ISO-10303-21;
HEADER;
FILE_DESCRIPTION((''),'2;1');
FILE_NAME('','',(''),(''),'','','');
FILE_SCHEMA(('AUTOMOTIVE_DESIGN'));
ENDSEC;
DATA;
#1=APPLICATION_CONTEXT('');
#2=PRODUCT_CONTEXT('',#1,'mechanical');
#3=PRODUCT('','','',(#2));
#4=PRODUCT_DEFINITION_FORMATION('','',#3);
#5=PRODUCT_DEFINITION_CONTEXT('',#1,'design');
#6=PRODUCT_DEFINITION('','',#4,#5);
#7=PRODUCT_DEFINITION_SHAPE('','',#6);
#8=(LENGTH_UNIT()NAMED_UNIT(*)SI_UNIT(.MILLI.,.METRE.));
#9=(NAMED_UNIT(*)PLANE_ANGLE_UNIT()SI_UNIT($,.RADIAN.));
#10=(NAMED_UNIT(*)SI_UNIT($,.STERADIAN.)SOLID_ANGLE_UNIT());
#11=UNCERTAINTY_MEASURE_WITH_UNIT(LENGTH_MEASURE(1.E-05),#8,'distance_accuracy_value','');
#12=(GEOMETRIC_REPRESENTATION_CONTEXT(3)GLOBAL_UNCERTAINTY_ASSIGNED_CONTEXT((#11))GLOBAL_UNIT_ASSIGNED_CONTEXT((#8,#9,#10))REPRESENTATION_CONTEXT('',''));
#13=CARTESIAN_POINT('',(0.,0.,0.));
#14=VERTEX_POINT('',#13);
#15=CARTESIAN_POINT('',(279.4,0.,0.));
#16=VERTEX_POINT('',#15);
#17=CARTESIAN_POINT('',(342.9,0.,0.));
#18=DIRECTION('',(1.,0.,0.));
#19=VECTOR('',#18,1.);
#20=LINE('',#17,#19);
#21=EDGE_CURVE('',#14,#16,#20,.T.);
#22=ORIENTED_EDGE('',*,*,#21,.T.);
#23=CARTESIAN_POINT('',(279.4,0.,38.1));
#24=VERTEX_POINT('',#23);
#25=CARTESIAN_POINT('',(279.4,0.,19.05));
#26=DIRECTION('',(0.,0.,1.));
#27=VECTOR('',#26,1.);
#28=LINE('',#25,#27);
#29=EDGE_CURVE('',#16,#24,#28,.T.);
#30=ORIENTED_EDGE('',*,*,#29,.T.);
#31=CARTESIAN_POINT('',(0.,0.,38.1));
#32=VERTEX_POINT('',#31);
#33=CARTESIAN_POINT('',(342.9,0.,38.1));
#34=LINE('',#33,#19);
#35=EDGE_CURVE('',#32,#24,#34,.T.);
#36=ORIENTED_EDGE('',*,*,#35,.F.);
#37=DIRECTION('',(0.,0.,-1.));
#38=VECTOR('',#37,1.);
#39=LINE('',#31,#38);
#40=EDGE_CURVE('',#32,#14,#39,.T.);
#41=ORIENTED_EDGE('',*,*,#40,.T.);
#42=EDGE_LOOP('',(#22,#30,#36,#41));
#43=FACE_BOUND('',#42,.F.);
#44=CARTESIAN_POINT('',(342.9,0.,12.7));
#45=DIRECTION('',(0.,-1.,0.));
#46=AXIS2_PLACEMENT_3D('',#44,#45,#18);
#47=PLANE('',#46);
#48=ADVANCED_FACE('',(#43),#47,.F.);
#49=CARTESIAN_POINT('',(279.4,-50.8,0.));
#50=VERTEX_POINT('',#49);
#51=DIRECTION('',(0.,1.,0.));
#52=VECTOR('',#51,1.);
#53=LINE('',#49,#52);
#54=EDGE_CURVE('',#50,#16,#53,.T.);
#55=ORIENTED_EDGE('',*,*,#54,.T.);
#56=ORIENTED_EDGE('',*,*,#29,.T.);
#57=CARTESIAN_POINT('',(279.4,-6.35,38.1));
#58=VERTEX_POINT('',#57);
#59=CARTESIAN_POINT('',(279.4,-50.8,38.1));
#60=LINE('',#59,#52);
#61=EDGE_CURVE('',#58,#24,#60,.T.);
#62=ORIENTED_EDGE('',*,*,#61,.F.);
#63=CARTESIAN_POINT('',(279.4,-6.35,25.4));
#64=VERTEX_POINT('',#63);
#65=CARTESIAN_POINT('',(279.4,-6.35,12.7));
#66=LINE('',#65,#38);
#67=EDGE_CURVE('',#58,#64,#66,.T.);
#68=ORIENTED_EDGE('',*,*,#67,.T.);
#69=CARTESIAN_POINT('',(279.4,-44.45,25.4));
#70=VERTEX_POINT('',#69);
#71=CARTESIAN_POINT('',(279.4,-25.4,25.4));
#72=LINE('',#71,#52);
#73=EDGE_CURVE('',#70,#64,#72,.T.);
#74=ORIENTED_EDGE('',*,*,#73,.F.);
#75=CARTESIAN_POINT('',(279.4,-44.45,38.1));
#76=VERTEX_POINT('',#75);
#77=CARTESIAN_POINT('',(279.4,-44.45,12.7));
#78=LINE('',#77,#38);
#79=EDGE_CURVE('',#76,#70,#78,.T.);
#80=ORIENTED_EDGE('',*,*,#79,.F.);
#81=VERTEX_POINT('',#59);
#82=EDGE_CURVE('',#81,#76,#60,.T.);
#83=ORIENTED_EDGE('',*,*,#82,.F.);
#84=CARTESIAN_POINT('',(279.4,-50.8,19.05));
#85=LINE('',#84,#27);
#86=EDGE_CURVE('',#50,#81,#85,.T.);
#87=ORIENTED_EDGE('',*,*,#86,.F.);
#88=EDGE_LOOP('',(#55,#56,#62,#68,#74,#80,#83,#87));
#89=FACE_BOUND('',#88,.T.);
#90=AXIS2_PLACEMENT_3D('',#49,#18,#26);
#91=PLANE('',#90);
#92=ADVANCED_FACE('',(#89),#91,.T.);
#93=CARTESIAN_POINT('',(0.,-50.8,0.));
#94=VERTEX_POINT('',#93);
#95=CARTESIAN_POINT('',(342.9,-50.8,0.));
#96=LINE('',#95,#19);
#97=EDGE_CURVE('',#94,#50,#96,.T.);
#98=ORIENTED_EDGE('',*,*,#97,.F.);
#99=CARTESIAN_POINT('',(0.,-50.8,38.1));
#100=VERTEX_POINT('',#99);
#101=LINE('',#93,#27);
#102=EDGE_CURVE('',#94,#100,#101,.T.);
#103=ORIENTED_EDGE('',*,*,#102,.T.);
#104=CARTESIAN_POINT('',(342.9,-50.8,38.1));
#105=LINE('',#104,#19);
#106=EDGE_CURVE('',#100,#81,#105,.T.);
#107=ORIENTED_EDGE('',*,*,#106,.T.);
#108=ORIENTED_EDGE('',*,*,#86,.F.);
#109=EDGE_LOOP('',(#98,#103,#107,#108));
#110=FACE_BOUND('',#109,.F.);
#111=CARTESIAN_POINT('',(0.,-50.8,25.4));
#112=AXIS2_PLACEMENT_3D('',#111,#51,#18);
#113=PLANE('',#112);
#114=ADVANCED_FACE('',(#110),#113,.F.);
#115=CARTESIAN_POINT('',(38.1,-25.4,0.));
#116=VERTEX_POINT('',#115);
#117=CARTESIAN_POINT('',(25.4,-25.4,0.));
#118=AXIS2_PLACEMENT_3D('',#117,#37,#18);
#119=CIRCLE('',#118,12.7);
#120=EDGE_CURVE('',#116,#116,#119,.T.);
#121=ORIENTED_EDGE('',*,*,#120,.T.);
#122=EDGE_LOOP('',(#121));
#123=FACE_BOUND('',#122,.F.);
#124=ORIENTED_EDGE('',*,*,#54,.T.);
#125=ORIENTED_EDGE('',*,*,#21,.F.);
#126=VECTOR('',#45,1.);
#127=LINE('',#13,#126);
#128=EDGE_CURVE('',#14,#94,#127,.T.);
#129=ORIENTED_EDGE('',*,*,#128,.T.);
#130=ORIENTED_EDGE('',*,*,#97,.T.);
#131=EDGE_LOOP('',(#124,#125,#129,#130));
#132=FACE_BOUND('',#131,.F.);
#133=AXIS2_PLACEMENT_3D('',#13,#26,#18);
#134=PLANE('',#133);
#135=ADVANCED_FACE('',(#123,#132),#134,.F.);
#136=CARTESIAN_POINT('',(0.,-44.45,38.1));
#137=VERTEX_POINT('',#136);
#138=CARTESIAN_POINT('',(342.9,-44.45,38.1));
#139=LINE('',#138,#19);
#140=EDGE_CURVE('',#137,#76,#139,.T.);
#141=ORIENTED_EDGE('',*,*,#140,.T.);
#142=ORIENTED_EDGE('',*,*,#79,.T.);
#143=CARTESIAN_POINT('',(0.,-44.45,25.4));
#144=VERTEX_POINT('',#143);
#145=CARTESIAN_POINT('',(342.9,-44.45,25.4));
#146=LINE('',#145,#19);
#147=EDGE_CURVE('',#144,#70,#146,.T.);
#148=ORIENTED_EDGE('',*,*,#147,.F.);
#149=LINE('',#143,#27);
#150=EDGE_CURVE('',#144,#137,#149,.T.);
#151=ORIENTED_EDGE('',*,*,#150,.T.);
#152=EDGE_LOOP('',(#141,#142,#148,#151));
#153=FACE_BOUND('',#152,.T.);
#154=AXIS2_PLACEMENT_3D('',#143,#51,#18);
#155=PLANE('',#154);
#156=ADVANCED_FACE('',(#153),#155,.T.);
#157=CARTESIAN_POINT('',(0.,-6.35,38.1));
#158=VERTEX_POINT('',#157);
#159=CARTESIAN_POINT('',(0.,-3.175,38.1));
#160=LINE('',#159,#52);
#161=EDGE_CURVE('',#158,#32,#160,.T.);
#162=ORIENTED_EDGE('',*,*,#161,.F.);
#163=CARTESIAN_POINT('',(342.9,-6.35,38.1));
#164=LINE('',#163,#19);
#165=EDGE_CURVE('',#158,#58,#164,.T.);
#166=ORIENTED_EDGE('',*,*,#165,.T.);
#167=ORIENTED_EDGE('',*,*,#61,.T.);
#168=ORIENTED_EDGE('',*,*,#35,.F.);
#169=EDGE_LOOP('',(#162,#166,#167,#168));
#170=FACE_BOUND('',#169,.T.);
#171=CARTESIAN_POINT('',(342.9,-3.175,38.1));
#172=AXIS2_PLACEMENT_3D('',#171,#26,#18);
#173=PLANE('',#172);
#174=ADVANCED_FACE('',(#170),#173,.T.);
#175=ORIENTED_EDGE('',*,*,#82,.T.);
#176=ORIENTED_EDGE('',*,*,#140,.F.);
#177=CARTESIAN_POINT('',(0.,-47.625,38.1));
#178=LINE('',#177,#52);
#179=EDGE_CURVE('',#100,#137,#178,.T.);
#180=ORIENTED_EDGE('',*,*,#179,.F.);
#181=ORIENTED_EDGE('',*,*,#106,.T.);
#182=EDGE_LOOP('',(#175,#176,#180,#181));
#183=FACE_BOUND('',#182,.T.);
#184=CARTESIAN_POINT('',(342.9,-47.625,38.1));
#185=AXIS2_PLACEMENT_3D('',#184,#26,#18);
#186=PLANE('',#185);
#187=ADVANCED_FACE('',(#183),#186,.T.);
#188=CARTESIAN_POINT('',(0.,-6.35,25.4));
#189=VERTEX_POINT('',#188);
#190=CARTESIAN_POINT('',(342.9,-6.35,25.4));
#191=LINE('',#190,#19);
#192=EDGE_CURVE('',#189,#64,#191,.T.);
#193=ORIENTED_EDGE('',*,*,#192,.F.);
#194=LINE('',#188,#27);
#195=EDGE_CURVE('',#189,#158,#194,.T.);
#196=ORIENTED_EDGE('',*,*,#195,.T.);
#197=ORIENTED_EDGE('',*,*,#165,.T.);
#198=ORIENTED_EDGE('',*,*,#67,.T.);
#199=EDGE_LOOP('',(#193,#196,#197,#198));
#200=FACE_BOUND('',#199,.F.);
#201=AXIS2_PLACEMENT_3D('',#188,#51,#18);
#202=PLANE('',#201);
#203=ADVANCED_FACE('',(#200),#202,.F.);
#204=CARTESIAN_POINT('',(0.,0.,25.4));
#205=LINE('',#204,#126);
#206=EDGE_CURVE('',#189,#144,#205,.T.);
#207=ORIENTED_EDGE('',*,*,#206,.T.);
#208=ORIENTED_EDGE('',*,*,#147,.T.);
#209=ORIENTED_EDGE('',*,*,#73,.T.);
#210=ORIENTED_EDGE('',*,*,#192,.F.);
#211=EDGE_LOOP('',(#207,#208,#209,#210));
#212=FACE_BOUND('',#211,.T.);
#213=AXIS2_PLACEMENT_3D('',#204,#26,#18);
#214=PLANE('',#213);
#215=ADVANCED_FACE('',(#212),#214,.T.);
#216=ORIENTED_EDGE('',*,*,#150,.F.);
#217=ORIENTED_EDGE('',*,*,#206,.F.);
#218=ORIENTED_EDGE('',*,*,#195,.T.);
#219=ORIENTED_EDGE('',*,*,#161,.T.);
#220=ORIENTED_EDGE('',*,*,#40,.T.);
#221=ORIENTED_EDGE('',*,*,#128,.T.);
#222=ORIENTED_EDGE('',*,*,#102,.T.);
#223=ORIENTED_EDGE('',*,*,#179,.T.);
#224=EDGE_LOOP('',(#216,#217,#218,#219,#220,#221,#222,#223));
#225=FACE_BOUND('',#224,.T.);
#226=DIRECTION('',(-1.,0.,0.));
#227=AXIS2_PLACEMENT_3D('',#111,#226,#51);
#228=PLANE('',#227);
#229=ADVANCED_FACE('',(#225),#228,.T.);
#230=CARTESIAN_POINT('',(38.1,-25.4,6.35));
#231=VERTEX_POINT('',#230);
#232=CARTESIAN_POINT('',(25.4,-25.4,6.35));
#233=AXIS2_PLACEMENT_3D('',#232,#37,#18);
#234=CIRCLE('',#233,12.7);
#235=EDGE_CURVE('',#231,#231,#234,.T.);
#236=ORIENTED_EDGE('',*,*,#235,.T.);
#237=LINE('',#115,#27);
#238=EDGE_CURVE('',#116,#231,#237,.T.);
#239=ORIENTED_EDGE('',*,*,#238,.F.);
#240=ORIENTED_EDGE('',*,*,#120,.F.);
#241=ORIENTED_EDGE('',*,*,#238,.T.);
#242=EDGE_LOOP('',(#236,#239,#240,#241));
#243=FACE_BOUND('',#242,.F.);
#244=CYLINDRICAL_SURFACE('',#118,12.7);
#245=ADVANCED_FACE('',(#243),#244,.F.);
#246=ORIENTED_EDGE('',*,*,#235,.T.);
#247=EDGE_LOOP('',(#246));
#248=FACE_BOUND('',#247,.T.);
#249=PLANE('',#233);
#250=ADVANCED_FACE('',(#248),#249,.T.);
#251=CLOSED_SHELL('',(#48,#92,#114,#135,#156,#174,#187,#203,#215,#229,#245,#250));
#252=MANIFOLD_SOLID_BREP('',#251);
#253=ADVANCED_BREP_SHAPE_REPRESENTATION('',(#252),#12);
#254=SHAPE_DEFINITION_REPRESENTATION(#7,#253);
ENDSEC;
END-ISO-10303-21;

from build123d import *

# Parameters (mm, degrees)
F0_W     = 685.8
F0_H     = 25.4
F1_DEPTH = 50.8
F2_W     = 685.8
F2_H     = 6.35
F3_DEPTH = 12.7
F4_R     = 12.7
F5_DEPTH = 6.35
F6_R     = 12.7
F7_DEPTH = 6.35
F8_W     = 406.4
F8_H     = 38.1
F9_DEPTH = 50.8


with BuildPart() as f1:
    # F0 (on Front) → F1 (new body)
    with BuildSketch(Plane.XZ):
        with Locations((342.9, 12.7)):
            Rectangle(F0_W, F0_H)
    extrude(amount=F1_DEPTH)

    # F2 (on face) → F3 (join)
    with BuildSketch(Plane.XY.offset(25.4)):
        with Locations((342.9, -47.625)):
            Rectangle(F2_W, F2_H)
        with Locations((342.9, -3.175)):
            Rectangle(F2_W, F2_H)
    extrude(amount=F3_DEPTH)

    # F4 (on face) → F5 (cut)
    with BuildSketch(Plane(origin=(0, 0, 0), x_dir=(1, 0, 0), z_dir=(0, 0, -1))):
        with Locations((342.9, 25.4)):
            Circle(F4_R)
    extrude(amount=-F5_DEPTH, mode=Mode.SUBTRACT)

    # F6 (on face) → F7 (cut)
    with BuildSketch(Plane(origin=(0, 0, 0), x_dir=(1, 0, 0), z_dir=(0, 0, -1))):
        with Locations((25.4, 25.4)):
            Circle(F6_R)
        with Locations((660.4, 25.4)):
            Circle(F6_R)
    extrude(amount=-F7_DEPTH, mode=Mode.SUBTRACT)

    # F8 (on face) → F9 (cut)
    with BuildSketch(Plane.XZ.offset(50.8)):
        with Locations((482.6, 19.05)):
            Rectangle(F8_W, F8_H)
    extrude(amount=-F9_DEPTH, mode=Mode.SUBTRACT)


solid = f1.part
